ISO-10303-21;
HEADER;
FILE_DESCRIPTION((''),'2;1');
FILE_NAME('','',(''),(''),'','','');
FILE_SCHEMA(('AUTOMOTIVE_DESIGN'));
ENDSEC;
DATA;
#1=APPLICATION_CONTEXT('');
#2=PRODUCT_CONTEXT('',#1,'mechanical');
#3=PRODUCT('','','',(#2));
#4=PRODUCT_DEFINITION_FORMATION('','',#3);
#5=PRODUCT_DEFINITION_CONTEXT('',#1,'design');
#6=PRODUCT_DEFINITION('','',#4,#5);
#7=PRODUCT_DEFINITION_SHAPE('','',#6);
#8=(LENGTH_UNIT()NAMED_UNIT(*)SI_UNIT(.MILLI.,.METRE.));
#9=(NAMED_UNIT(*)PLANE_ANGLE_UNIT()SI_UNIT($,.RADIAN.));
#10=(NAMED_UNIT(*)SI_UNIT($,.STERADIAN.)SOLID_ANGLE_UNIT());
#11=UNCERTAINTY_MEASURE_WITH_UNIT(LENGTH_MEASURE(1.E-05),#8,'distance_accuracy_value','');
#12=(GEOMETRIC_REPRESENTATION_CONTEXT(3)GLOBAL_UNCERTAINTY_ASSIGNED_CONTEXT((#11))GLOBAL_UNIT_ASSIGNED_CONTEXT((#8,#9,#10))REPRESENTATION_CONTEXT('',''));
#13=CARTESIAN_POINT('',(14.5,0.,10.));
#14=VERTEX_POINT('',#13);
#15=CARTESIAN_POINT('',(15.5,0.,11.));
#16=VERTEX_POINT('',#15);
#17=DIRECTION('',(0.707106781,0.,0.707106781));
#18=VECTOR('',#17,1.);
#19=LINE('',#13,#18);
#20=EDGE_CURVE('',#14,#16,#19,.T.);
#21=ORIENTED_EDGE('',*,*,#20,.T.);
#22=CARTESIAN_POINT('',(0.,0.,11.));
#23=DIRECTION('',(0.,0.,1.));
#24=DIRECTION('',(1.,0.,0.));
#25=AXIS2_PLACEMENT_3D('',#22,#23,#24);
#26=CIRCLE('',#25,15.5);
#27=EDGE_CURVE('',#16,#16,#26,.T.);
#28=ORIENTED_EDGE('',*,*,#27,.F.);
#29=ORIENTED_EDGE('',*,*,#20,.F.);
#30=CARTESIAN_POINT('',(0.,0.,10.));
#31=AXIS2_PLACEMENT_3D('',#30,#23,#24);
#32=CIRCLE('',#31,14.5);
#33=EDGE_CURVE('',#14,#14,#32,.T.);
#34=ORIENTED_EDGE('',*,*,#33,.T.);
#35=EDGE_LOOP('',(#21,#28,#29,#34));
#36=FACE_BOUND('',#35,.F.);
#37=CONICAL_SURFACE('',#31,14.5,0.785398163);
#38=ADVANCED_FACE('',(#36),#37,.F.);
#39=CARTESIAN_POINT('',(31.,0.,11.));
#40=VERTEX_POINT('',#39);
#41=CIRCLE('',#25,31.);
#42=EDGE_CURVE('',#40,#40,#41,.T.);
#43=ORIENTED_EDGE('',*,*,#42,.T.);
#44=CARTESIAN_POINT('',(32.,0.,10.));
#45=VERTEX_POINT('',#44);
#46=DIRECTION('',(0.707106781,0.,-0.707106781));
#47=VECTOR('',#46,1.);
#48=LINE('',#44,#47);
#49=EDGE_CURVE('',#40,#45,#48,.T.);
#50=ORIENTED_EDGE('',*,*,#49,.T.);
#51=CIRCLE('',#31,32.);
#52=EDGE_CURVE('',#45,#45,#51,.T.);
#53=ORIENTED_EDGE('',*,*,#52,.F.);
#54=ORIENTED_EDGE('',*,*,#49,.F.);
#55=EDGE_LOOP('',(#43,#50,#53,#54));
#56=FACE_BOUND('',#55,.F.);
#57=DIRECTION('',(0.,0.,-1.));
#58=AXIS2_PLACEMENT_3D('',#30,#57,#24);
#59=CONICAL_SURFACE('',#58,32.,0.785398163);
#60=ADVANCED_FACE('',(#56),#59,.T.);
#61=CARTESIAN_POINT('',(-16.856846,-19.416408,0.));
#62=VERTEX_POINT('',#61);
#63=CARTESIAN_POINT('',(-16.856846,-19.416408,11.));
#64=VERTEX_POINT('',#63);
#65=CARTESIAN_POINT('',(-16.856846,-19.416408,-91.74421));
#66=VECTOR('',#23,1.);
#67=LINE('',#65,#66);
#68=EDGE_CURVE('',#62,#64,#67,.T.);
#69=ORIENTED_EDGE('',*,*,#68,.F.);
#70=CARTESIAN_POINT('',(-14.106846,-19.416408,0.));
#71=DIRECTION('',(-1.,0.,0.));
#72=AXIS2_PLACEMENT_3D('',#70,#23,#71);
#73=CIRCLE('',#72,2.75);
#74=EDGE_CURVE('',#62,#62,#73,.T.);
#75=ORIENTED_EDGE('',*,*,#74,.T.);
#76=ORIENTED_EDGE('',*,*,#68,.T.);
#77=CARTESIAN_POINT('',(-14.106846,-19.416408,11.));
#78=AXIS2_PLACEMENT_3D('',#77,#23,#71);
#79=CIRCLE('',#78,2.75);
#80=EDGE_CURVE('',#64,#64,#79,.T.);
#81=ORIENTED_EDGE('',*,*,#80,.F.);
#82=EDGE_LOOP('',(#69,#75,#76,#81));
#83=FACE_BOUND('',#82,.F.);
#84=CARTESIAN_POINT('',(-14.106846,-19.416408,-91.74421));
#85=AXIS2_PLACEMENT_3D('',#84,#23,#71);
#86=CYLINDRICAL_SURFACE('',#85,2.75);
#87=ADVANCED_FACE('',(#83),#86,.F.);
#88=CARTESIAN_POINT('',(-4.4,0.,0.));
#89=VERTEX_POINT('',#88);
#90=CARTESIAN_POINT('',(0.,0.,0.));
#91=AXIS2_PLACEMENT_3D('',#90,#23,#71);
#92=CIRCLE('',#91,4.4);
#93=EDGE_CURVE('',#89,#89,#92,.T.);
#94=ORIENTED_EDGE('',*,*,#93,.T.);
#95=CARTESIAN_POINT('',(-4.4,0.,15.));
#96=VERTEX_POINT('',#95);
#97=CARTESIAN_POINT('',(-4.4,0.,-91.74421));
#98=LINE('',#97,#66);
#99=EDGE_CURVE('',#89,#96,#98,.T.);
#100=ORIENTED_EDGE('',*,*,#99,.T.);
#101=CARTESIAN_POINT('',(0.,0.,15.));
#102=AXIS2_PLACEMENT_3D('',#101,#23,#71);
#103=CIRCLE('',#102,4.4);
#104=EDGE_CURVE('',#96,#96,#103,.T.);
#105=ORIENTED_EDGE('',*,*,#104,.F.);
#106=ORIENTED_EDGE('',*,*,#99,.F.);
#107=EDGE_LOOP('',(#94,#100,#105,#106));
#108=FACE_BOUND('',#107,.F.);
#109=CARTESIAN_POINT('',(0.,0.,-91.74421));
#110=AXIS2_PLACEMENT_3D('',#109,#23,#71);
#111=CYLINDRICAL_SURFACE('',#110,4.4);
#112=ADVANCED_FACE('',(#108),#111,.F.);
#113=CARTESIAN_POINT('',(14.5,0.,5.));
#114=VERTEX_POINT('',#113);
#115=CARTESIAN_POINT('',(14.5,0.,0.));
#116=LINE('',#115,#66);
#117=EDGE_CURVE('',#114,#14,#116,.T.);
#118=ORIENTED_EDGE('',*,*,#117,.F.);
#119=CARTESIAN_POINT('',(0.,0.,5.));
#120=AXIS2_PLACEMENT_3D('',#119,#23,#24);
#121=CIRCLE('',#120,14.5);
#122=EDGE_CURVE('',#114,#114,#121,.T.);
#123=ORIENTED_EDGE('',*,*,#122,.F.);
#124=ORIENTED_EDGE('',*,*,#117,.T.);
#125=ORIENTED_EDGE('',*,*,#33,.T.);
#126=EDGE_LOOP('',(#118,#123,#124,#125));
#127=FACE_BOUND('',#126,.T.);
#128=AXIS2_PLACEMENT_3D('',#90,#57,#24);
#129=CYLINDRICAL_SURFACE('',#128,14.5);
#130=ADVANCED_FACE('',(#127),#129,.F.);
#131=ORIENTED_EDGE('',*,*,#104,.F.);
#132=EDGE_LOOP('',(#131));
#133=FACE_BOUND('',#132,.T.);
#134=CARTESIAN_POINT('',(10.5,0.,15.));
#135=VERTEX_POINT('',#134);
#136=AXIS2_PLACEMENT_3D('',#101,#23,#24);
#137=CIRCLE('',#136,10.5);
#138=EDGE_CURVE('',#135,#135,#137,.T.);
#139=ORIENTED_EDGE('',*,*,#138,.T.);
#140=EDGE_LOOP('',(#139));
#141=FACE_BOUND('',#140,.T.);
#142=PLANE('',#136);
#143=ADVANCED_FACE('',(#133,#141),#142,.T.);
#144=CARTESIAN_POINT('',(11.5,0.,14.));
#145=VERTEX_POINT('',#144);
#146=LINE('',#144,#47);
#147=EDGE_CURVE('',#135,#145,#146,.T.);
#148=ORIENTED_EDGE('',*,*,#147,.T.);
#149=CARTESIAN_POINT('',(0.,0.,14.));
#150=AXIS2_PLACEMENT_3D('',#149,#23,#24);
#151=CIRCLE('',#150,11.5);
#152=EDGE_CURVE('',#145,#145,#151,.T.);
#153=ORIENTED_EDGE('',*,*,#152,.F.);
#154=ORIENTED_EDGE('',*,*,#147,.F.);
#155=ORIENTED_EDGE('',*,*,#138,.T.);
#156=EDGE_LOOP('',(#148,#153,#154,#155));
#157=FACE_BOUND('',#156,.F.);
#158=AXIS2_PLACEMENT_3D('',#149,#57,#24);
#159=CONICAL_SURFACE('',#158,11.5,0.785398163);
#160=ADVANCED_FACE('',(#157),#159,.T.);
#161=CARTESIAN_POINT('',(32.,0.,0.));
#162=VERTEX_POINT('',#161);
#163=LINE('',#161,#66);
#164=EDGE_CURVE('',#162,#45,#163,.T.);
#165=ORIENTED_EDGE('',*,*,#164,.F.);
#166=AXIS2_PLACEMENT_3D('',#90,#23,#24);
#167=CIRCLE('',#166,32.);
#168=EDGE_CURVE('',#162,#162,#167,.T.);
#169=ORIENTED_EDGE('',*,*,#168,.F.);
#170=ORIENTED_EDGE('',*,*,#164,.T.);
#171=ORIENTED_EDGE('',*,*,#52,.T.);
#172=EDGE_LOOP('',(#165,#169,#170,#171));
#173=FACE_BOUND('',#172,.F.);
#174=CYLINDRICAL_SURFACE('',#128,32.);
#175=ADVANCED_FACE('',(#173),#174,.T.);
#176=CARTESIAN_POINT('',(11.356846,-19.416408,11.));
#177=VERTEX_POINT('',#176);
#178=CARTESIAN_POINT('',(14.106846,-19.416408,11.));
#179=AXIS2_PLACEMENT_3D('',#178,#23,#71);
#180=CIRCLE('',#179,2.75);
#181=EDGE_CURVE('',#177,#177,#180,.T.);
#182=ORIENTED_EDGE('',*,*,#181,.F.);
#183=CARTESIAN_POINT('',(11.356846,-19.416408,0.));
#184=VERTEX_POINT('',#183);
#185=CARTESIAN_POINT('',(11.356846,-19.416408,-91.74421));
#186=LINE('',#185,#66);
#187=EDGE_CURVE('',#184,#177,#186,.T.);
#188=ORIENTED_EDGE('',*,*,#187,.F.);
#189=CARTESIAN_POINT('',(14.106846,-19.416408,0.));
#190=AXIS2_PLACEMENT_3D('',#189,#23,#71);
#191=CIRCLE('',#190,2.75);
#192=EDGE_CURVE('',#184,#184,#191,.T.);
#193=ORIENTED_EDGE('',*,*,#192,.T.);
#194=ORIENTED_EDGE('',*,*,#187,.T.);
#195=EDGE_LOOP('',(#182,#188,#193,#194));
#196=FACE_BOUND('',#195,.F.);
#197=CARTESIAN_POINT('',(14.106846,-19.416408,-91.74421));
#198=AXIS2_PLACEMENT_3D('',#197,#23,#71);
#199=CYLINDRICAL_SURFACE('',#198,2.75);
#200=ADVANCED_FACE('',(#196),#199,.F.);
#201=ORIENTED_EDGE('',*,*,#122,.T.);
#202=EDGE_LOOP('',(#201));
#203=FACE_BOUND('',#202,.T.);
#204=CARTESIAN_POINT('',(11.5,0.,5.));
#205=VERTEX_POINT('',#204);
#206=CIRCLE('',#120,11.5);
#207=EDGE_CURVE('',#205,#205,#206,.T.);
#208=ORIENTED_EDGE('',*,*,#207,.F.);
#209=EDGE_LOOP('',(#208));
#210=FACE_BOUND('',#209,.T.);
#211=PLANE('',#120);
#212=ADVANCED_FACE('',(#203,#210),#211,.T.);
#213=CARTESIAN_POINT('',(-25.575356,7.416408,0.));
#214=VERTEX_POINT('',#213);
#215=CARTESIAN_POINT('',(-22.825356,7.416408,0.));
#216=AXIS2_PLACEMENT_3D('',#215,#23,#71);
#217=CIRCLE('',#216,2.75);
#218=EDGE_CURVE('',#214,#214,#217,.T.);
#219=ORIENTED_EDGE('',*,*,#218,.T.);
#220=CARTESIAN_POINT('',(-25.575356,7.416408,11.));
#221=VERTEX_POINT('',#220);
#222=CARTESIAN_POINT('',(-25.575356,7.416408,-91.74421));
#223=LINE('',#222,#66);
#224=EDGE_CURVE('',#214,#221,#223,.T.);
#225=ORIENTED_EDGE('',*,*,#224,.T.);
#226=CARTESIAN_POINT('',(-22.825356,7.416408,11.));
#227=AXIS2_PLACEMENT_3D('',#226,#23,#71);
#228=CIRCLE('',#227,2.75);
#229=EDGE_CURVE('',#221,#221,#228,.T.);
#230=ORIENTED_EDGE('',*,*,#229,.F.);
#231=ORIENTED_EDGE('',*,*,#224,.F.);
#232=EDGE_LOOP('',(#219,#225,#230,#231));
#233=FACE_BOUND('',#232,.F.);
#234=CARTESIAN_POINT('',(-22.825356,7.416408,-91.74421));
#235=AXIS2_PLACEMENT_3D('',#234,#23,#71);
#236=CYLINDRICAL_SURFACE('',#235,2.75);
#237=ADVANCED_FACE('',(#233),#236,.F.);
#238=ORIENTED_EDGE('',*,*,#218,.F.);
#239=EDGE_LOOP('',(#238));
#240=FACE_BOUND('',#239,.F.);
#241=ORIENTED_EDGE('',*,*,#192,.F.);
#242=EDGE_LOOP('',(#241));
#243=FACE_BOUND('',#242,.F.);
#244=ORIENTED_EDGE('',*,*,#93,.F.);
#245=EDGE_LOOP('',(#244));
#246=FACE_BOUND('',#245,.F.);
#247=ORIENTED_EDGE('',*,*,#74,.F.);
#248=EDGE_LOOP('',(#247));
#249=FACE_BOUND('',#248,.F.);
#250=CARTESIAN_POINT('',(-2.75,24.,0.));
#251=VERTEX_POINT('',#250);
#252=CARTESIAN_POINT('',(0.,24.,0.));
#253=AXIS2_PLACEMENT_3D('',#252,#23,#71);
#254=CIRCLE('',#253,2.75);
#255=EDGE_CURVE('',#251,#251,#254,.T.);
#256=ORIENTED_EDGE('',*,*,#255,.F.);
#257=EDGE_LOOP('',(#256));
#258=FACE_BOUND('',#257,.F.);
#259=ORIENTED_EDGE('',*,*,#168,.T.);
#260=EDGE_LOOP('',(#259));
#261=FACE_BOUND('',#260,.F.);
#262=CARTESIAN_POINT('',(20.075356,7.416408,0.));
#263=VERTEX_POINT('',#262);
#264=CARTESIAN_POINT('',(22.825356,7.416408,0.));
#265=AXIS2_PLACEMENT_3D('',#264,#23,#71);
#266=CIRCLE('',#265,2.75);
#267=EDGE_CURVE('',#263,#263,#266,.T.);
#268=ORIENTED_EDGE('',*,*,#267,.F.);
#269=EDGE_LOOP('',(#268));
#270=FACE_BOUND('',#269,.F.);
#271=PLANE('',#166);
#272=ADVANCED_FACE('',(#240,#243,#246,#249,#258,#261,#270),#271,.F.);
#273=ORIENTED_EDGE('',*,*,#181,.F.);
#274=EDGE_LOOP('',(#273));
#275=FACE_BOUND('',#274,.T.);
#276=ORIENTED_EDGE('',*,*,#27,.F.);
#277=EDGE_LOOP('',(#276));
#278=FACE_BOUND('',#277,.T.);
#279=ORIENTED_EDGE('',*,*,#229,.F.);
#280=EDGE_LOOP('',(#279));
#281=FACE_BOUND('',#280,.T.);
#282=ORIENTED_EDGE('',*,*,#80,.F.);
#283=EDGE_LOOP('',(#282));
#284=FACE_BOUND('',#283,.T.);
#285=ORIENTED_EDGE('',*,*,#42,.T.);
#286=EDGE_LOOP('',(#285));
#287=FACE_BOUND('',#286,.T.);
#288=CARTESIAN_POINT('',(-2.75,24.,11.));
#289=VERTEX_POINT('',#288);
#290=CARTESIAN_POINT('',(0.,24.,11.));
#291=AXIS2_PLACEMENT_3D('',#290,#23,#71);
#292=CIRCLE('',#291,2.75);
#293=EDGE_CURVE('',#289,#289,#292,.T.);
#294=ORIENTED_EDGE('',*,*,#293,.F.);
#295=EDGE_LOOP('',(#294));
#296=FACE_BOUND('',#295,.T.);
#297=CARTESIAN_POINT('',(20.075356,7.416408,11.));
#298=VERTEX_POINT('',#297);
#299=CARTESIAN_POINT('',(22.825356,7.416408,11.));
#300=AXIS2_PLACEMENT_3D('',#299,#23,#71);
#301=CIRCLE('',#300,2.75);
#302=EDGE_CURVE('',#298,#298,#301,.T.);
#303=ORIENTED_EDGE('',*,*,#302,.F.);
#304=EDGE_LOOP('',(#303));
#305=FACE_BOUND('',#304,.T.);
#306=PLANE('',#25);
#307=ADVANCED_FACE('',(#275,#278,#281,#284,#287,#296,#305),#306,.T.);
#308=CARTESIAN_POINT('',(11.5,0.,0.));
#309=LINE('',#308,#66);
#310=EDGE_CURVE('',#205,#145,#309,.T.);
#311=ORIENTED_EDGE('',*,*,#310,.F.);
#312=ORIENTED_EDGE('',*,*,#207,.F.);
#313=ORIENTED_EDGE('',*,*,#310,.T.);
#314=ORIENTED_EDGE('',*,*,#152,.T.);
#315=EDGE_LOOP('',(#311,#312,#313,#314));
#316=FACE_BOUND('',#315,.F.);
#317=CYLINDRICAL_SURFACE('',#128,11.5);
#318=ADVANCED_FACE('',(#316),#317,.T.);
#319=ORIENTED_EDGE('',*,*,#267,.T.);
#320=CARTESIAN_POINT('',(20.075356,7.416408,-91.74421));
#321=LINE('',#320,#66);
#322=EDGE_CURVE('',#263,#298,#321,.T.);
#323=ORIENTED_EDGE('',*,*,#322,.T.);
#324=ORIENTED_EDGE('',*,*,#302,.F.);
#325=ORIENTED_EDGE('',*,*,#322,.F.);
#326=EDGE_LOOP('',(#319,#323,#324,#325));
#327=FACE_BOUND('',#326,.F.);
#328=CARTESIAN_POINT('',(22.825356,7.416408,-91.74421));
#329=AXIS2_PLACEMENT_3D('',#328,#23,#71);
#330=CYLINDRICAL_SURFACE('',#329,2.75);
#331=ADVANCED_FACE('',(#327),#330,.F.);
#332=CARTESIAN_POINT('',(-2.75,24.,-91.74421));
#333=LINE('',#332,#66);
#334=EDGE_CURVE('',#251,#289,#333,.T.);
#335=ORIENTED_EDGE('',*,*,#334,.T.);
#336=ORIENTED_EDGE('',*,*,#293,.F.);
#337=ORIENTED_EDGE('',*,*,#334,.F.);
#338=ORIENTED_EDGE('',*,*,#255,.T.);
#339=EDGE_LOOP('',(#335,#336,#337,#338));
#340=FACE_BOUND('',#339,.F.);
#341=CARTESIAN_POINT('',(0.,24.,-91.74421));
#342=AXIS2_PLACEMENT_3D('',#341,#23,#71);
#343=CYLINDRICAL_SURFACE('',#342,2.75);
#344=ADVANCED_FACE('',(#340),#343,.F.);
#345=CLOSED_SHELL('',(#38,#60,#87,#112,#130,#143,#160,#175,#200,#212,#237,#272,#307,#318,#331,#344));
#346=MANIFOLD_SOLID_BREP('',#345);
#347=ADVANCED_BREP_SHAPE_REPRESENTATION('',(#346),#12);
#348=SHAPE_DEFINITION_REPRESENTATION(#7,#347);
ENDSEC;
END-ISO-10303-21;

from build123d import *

# Parameters (mm, degrees)
F0_R     = 11.5
F1_DEPTH = 15
F0_R_2   = 14.5
F2_DEPTH = 5
F0_R_3   = 32
F3_DEPTH = 11
F4_D     = 5.5
F5_D     = 8.8
F6_SIZE  = 1
F7_SIZE  = 1
F8_SIZE  = 1


with BuildPart() as f1:
    # F0 (on Top) → F1 (new body)
    with BuildSketch(Plane.XY):
        Circle(F0_R)
    extrude(amount=F1_DEPTH)

    # F0 (on Top) → F2 (join)
    with BuildSketch(Plane.XY):
        Circle(F0_R_2)
        Circle(F0_R, mode=Mode.SUBTRACT)
    extrude(amount=F2_DEPTH)

    # F0 (on Top) → F3 (join)
    with BuildSketch(Plane.XY):
        Circle(F0_R_3)
        Circle(F0_R_2, mode=Mode.SUBTRACT)
    extrude(amount=F3_DEPTH)

    # F4 (through all)
    with Locations(Plane(origin=(0, 0, 0), x_dir=(1, 0, 0), z_dir=(0, 0, -1))):
        with Locations((-22.8253563911, -7.416407865), (0, -24), (22.8253563911, -7.416407865), (14.106846055, 19.416407865), (-14.106846055, 19.416407865)):
            Hole(F4_D / 2)

    # F5 (through all)
    with Locations(Plane(origin=(0, 0, 0), x_dir=(1, 0, 0), z_dir=(0, 0, -1))):
        with Locations((0, 0)):
            Hole(F5_D / 2)

    # F6
    f6_edges = [f1.edges().sort_by_distance(p)[0] for p in [
        (-11.5, 0, 15),
    ]]
    chamfer(f6_edges, length=F6_SIZE)

    # F7
    f7_edges = [f1.edges().sort_by_distance(p)[0] for p in [
        (-14.5, 0, 11),
    ]]
    chamfer(f7_edges, length=F7_SIZE)

    # F8
    f8_edges = [f1.edges().sort_by_distance(p)[0] for p in [
        (-32, 0, 11),
    ]]
    chamfer(f8_edges, length=F8_SIZE)


solid = f1.part
